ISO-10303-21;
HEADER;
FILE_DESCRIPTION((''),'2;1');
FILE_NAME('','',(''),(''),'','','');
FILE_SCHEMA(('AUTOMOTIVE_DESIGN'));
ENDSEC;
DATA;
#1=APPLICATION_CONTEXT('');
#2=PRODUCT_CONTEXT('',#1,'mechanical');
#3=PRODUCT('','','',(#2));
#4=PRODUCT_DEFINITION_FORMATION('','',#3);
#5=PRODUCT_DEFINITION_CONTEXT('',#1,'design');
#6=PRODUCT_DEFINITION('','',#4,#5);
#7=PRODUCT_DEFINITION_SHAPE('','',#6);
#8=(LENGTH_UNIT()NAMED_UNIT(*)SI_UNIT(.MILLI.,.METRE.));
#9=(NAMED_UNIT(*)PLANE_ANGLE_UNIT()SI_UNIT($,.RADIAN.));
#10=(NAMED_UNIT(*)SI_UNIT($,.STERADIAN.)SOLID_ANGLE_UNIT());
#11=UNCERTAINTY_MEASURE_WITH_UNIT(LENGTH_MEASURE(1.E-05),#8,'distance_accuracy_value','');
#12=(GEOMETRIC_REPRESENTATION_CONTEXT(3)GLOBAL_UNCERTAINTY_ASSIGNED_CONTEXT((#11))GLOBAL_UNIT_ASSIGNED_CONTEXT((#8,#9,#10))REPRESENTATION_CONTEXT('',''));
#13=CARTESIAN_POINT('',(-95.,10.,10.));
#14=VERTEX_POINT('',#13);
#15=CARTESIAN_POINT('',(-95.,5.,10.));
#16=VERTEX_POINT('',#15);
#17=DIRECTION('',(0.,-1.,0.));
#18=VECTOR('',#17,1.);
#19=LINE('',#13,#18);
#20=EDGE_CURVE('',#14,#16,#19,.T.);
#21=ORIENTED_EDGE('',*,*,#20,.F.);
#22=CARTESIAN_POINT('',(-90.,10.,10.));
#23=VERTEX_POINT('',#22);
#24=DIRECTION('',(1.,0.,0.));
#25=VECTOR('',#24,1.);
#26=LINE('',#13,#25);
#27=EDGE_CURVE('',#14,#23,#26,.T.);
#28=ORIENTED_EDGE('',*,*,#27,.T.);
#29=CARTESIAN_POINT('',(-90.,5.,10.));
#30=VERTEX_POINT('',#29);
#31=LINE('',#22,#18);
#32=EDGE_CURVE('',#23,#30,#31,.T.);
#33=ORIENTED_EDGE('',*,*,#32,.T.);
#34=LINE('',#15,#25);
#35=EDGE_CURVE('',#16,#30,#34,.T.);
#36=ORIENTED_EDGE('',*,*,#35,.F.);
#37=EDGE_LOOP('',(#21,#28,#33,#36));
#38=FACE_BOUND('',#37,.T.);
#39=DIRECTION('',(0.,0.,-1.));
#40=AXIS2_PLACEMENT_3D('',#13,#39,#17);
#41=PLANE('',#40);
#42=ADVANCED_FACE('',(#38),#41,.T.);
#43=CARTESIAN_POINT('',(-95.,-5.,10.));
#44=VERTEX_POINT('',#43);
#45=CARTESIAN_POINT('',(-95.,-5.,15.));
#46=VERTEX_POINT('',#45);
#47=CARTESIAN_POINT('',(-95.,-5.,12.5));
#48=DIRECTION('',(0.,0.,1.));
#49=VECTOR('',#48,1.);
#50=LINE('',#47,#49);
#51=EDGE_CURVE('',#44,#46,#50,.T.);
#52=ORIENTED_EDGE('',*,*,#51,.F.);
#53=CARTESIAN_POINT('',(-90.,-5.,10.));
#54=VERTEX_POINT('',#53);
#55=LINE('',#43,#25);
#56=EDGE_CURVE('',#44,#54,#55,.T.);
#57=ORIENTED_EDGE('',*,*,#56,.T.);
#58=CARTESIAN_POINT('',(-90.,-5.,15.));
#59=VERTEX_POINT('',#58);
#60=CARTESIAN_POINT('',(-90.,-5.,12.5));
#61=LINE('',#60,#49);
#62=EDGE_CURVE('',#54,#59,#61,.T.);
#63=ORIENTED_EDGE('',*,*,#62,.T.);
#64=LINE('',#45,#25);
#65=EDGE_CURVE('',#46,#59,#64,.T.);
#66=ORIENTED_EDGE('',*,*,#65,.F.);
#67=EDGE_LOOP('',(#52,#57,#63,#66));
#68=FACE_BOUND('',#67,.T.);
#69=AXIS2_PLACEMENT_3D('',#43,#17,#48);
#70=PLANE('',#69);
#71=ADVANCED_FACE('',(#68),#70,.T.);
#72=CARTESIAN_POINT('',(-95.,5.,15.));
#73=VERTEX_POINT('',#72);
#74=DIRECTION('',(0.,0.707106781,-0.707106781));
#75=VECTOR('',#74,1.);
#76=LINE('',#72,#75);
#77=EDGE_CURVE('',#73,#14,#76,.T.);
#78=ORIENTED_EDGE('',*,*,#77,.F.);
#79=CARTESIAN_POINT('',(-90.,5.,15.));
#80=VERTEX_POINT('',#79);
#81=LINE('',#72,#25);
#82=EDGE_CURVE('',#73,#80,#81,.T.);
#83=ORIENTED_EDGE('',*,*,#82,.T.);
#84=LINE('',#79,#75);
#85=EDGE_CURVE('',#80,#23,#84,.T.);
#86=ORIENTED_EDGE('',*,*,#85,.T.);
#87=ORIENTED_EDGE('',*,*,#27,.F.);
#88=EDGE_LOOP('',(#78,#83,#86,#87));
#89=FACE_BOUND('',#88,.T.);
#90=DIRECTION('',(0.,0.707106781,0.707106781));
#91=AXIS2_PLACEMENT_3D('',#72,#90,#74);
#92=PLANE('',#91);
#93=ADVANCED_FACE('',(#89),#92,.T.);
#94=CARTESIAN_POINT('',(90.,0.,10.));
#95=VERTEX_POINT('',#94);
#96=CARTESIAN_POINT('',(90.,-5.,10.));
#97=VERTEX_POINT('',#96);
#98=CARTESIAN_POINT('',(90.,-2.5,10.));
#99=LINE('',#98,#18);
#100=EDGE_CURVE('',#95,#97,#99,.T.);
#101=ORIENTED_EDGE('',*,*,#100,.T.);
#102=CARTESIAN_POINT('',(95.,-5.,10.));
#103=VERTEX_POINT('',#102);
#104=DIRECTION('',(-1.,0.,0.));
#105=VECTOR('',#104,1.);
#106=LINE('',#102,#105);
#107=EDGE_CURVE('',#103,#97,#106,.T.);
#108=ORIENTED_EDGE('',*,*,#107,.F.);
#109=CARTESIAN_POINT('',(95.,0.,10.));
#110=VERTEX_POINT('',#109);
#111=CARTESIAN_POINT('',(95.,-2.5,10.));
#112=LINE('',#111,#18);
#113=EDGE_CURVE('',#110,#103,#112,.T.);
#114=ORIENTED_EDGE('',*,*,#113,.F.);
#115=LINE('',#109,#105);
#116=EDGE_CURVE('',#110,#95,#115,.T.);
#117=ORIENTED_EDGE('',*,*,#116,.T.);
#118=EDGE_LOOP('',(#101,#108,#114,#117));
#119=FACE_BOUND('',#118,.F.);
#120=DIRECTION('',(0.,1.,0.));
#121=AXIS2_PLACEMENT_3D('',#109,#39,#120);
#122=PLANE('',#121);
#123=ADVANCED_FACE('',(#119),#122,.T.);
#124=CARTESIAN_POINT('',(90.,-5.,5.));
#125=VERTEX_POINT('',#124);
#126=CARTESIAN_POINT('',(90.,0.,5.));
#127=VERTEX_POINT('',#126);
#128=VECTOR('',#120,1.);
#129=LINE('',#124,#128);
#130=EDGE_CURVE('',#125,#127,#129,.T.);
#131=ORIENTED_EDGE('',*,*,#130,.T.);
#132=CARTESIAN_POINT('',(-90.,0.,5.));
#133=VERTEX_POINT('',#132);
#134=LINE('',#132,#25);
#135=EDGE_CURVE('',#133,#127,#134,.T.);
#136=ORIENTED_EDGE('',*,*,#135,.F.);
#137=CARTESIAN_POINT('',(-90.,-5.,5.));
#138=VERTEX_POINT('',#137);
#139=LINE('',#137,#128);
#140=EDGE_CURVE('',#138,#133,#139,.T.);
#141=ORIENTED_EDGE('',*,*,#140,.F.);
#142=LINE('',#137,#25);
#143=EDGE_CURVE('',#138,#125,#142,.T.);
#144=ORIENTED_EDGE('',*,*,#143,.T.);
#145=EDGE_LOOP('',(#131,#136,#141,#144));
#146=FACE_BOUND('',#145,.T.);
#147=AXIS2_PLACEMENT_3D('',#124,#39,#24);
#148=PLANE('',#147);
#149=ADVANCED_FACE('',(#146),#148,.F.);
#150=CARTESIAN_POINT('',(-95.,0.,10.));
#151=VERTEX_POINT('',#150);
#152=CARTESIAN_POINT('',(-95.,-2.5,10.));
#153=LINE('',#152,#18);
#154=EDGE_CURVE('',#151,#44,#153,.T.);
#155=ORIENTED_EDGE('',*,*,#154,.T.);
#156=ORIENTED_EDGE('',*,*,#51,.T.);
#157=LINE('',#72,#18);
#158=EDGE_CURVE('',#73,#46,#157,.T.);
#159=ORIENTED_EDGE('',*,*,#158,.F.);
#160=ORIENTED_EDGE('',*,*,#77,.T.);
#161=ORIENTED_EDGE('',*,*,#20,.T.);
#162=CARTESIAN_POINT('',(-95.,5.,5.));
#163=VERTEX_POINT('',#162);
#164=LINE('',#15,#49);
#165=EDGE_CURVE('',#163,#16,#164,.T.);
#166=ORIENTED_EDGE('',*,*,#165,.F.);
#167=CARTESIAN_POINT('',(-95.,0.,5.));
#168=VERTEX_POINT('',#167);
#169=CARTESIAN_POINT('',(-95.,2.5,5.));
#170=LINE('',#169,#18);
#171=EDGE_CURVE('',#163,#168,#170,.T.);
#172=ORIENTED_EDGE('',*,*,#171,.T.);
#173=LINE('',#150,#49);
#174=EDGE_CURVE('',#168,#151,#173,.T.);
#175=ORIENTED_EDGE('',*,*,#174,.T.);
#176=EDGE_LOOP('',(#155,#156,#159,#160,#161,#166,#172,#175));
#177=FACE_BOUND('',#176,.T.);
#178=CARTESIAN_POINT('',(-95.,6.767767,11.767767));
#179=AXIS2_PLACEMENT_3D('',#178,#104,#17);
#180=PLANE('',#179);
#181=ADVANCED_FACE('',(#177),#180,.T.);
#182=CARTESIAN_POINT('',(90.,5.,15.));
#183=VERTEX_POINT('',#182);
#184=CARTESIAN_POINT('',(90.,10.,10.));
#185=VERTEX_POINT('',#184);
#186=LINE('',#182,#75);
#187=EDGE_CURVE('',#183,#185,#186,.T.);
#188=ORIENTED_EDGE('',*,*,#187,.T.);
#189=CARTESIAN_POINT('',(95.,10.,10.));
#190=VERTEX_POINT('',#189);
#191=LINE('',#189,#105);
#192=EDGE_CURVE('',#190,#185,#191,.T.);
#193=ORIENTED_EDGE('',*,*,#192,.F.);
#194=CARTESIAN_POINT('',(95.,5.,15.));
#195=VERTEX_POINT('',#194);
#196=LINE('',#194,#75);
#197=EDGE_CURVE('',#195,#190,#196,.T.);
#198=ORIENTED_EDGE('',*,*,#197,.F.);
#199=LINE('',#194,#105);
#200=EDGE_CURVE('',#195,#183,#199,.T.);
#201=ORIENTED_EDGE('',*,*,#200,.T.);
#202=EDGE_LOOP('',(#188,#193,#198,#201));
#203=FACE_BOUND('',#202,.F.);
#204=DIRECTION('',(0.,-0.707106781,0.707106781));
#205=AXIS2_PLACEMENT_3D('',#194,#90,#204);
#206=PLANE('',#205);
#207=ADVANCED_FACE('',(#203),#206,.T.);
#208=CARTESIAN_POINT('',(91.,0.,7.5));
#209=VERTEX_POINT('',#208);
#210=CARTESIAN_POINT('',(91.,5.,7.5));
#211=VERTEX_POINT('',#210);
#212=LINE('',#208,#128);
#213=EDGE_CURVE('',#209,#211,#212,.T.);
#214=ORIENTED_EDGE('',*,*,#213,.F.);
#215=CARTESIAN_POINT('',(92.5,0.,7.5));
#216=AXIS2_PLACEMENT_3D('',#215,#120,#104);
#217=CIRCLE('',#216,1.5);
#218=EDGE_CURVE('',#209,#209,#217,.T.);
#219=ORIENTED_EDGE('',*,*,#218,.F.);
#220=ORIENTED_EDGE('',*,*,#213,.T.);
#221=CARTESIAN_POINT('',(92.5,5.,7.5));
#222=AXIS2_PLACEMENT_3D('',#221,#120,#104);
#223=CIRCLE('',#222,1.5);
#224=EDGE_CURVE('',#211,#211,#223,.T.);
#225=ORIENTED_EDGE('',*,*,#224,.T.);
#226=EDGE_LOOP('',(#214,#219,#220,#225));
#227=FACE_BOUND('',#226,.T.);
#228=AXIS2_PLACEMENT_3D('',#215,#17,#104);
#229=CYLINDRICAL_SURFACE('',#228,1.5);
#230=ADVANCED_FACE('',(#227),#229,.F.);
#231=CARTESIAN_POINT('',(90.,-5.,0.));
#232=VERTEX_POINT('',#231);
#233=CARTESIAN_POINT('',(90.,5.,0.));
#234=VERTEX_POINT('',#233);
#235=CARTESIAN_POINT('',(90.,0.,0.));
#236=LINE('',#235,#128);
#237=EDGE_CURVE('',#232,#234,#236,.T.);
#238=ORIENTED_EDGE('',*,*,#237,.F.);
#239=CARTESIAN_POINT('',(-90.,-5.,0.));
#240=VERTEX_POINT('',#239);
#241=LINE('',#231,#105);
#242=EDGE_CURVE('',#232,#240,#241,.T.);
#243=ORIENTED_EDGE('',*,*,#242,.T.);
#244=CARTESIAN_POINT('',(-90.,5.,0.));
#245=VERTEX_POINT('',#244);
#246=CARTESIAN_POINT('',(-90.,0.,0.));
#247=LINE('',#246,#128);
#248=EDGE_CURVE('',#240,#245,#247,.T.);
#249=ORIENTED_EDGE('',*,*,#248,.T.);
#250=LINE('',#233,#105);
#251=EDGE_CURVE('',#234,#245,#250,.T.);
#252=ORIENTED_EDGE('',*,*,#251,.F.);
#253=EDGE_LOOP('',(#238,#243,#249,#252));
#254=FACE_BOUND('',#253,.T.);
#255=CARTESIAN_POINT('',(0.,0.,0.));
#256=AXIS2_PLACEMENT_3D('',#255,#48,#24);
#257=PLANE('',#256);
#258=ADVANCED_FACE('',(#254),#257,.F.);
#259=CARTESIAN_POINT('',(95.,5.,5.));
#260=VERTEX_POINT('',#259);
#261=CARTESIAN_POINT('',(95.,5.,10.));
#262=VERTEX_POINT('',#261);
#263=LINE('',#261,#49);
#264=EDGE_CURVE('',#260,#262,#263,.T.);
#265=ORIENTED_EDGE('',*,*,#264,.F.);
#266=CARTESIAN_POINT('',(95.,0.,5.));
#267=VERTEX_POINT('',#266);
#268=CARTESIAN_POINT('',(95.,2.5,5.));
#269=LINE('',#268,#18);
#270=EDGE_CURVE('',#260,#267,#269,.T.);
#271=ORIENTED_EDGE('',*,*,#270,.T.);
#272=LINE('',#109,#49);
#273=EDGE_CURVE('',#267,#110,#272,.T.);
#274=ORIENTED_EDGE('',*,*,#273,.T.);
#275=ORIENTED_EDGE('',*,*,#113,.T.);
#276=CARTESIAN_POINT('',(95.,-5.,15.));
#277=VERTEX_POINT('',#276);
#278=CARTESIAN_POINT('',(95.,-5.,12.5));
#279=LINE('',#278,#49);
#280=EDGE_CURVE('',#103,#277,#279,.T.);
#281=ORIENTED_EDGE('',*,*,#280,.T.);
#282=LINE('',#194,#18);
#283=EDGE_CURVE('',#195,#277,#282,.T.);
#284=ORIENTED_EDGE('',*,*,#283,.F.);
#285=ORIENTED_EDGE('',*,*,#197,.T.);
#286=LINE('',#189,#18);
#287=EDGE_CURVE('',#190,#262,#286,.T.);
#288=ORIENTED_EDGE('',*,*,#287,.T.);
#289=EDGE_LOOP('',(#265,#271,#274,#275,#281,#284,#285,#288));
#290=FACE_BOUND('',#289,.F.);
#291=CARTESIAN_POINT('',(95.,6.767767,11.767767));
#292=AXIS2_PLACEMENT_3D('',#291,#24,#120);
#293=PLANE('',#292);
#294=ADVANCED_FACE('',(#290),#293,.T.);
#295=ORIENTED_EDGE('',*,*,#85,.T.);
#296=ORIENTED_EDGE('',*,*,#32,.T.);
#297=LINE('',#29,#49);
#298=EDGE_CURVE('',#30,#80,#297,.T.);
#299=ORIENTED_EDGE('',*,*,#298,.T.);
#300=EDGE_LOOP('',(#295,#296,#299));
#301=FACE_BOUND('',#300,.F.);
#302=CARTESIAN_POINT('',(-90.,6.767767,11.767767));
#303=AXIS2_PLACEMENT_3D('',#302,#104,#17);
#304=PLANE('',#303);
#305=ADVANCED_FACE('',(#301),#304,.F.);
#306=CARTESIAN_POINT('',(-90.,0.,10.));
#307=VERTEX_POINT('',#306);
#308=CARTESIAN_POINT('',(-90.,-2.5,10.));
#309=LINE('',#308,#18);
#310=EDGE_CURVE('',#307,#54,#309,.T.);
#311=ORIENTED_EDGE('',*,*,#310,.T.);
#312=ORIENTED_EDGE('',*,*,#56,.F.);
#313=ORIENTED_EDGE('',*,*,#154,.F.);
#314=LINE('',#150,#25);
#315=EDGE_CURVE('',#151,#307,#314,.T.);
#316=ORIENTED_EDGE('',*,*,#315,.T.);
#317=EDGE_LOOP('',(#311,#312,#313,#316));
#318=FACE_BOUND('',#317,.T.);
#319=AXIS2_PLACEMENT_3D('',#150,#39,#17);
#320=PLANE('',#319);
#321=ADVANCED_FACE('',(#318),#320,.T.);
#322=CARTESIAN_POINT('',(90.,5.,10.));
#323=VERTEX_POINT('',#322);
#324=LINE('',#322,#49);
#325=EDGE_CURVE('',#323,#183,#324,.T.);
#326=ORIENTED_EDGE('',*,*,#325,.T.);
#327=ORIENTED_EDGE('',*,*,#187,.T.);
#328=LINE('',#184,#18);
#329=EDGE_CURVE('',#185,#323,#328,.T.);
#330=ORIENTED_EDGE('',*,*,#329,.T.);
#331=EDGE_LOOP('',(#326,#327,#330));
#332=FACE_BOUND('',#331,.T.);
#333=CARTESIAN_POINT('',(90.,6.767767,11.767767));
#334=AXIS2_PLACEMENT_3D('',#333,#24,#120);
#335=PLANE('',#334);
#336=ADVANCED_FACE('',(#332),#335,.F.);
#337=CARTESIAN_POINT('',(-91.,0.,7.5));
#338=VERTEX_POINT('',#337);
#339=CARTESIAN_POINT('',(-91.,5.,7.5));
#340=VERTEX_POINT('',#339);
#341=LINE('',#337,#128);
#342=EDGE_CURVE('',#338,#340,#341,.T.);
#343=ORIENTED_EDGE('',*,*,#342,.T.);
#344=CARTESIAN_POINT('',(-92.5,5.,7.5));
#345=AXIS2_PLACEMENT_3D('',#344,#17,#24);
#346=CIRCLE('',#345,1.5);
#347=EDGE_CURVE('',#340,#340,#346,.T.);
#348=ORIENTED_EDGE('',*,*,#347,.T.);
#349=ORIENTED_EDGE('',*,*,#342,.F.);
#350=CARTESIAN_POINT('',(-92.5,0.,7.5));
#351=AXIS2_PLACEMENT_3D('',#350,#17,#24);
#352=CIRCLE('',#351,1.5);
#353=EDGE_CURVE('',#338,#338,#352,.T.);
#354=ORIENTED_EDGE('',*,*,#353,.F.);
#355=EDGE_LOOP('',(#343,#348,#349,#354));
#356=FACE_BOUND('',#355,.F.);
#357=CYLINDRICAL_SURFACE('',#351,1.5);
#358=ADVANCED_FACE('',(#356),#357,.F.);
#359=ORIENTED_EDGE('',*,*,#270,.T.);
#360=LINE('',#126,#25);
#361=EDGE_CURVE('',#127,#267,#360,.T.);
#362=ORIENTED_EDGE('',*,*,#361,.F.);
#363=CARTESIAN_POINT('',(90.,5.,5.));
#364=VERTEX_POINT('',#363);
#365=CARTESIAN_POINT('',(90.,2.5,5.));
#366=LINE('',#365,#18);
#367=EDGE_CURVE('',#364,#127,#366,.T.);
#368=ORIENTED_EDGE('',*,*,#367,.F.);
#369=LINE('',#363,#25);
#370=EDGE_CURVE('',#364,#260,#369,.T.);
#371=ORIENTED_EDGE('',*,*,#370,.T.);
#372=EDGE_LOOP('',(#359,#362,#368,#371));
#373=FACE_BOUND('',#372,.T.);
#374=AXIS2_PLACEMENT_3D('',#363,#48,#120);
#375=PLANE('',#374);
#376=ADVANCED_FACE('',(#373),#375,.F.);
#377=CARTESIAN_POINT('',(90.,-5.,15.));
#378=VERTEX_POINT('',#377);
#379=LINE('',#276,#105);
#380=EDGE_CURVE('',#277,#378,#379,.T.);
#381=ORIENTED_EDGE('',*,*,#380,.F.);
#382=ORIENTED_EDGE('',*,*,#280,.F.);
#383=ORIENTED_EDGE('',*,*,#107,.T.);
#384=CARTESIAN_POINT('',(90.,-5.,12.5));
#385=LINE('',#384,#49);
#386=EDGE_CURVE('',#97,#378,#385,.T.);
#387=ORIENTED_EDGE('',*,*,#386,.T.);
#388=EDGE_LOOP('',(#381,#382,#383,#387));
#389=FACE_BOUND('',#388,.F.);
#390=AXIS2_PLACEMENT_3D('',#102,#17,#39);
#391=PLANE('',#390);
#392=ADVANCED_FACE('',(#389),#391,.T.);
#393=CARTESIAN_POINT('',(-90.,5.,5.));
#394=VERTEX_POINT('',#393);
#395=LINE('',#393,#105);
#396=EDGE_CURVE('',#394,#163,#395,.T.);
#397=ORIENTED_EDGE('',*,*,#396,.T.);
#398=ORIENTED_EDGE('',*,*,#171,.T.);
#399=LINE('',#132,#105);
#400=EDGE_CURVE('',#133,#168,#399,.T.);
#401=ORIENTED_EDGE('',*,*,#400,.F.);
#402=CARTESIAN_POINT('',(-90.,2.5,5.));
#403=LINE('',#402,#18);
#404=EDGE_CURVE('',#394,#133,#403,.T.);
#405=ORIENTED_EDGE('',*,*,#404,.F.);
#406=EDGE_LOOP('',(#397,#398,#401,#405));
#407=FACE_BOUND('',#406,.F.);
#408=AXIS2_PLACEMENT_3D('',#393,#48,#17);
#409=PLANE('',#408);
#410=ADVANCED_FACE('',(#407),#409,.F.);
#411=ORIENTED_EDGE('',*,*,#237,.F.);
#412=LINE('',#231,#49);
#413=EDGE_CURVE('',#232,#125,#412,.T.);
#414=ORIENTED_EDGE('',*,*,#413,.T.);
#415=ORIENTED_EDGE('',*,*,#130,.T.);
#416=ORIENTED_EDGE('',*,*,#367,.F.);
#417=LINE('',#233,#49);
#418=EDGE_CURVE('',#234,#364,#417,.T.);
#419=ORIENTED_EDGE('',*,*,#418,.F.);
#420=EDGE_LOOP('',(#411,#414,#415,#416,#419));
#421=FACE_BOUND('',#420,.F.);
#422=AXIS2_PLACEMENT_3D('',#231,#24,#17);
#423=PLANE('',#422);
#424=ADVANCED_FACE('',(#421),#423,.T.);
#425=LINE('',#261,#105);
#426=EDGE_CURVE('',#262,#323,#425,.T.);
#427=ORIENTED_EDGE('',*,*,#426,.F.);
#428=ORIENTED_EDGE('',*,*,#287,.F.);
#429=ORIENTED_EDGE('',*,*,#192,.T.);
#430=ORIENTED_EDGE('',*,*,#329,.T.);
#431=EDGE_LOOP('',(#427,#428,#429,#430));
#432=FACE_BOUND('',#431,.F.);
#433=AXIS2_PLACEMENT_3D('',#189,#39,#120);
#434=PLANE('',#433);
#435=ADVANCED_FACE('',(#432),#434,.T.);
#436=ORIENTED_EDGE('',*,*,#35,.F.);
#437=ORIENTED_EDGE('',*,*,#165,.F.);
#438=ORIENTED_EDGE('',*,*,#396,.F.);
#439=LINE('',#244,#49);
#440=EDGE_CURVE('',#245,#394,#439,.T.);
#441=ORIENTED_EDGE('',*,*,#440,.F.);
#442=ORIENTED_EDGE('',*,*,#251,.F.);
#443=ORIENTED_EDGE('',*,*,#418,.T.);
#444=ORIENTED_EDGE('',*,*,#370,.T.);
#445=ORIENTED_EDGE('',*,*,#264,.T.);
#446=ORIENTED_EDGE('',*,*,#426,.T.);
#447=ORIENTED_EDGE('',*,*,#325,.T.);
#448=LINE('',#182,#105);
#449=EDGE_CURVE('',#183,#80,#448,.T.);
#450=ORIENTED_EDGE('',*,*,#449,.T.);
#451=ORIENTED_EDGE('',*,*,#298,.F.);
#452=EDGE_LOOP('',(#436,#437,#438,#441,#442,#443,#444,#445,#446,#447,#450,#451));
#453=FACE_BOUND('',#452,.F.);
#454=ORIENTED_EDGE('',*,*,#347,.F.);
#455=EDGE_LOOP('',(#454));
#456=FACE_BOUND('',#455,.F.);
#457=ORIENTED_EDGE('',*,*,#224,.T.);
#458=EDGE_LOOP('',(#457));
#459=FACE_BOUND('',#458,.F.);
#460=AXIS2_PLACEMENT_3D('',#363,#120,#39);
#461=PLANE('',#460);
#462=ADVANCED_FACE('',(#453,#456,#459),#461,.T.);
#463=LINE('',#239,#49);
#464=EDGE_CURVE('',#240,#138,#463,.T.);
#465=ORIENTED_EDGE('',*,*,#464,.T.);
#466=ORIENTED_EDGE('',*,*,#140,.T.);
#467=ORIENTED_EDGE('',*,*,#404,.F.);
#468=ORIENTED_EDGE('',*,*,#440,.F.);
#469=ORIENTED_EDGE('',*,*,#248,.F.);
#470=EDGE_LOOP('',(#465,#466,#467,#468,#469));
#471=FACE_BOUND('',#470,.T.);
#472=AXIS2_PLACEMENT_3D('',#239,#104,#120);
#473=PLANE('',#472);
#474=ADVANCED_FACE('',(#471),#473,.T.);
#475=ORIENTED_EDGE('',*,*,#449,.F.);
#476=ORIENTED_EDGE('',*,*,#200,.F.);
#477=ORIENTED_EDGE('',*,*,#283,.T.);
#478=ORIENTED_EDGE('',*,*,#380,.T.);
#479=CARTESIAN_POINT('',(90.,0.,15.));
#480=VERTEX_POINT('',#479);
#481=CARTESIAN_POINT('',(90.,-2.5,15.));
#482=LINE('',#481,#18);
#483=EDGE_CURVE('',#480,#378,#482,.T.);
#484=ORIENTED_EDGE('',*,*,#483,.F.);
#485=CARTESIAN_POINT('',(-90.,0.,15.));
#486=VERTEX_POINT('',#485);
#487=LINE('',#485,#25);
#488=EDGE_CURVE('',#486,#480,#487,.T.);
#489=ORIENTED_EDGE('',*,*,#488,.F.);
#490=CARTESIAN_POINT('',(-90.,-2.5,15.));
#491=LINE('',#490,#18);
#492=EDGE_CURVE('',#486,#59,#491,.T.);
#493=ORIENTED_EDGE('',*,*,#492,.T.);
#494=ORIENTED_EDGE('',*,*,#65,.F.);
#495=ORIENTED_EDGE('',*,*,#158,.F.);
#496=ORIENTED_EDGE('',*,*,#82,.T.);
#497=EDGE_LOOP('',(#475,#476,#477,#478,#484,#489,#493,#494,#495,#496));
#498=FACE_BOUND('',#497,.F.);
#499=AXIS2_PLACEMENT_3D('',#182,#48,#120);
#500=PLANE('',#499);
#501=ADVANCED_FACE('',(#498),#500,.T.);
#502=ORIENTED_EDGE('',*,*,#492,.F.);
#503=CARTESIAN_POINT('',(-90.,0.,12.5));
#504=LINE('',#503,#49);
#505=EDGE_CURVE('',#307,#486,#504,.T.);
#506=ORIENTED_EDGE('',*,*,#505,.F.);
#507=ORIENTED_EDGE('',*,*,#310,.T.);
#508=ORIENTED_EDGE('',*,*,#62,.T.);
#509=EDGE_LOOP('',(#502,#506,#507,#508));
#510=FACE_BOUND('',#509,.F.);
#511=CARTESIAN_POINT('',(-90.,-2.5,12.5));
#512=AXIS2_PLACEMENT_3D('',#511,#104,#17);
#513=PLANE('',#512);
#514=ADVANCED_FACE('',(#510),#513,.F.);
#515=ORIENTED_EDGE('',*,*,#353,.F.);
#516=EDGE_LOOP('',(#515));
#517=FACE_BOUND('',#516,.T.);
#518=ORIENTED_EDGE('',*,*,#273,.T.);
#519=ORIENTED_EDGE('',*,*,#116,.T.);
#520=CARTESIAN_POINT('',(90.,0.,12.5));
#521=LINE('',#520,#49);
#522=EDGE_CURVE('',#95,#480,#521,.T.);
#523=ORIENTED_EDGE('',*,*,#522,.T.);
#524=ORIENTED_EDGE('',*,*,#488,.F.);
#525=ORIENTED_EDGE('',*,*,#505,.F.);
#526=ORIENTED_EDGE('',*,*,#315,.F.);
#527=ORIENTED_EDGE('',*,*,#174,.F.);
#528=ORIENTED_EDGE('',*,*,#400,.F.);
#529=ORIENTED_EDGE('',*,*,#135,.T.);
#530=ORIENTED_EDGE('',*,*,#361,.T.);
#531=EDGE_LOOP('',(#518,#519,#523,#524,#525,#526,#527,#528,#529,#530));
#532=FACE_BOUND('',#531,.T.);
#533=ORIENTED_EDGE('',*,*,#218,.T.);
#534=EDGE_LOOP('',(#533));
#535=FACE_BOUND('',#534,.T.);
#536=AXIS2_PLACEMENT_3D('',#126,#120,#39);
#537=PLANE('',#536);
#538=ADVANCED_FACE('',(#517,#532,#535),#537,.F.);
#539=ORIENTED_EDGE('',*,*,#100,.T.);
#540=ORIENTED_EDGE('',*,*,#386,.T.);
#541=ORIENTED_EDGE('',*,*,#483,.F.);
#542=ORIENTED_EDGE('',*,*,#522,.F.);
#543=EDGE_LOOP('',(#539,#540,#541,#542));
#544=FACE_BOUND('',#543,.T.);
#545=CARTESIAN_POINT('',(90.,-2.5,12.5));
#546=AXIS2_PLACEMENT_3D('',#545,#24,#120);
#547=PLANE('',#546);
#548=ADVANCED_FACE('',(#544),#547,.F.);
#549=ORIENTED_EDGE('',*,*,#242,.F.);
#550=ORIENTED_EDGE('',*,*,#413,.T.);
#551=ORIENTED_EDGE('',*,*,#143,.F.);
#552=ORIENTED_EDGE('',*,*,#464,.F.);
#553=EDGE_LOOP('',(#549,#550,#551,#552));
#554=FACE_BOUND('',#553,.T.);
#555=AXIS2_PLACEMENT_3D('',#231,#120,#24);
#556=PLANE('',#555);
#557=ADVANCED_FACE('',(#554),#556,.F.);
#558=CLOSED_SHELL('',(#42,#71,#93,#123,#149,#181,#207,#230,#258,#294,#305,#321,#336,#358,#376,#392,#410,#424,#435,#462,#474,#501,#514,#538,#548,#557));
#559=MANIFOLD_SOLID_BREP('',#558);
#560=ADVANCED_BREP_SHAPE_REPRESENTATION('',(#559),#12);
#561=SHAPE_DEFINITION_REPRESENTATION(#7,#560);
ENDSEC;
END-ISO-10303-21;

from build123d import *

# Parameters (mm, degrees)
F0_W      = 180
F0_H      = 10
F1_DEPTH  = 15
F2_W      = 180
F2_H      = 10
F3_DEPTH  = 5
F4_W      = 5
F4_H      = 10
F5_DEPTH  = 5
F6_R      = 1.5
F7_DEPTH  = 25
F8_W      = 90
F8_H      = 10
F9_DEPTH  = 25
F10_W     = 5
F10_H     = 5
F11_DEPTH = 5


with BuildPart() as f1:
    # F0 (on Top) → F1 (new body)
    with BuildSketch(Plane.XY):
        Rectangle(F0_W, F0_H)
    extrude(amount=F1_DEPTH)

    # F2 (on face) → F3 (cut)
    with BuildSketch(Plane.XZ.offset(5)):
        with Locations((0, 10)):
            Rectangle(F2_W, F2_H)
    extrude(amount=-F3_DEPTH, mode=Mode.SUBTRACT)

    # F4 (on face) → F5 (join)
    with BuildSketch(Plane(origin=(-90, 0, 0), x_dir=(0, -1, 0), z_dir=(-1, 0, 0))):
        with Locations((-2.5, 10)):
            Rectangle(F4_W, F4_H)
    extrude(amount=F5_DEPTH)

    # F6 (on face) → F7 (cut)
    with BuildSketch(Plane.XZ):
        with Locations((-92.5, 7.5)):
            Circle(F6_R)
    extrude(amount=-F7_DEPTH, mode=Mode.SUBTRACT)

    # F8 (on face) → F9 (cut)
    with BuildSketch(Plane(origin=(0, 0, 0), x_dir=(1, 0, 0), z_dir=(0, 0, -1))):
        with Locations((45, 0)):
            Rectangle(F8_W, F8_H)
    extrude(amount=-F9_DEPTH, mode=Mode.SUBTRACT)

    # F10 (on face) → F11 (join)
    with BuildSketch(Plane(origin=(-95, 0, 0), x_dir=(0, -1, 0), z_dir=(-1, 0, 0))):
        Polygon((-5, 10), (-5, 15), (-10, 10), align=None)
        with Locations((2.5, 12.5)):
            Rectangle(F10_W, F10_H)
    extrude(amount=-F11_DEPTH)

    # F12: F1 across face


with BuildPart() as f1_1:
    add(f1.part)
    add(f1.part.mirror(Plane(origin=(0, 1.25, 6.25), x_dir=(0, 1, 0), z_dir=(1, 0, 0))))


solid = f1_1.part
